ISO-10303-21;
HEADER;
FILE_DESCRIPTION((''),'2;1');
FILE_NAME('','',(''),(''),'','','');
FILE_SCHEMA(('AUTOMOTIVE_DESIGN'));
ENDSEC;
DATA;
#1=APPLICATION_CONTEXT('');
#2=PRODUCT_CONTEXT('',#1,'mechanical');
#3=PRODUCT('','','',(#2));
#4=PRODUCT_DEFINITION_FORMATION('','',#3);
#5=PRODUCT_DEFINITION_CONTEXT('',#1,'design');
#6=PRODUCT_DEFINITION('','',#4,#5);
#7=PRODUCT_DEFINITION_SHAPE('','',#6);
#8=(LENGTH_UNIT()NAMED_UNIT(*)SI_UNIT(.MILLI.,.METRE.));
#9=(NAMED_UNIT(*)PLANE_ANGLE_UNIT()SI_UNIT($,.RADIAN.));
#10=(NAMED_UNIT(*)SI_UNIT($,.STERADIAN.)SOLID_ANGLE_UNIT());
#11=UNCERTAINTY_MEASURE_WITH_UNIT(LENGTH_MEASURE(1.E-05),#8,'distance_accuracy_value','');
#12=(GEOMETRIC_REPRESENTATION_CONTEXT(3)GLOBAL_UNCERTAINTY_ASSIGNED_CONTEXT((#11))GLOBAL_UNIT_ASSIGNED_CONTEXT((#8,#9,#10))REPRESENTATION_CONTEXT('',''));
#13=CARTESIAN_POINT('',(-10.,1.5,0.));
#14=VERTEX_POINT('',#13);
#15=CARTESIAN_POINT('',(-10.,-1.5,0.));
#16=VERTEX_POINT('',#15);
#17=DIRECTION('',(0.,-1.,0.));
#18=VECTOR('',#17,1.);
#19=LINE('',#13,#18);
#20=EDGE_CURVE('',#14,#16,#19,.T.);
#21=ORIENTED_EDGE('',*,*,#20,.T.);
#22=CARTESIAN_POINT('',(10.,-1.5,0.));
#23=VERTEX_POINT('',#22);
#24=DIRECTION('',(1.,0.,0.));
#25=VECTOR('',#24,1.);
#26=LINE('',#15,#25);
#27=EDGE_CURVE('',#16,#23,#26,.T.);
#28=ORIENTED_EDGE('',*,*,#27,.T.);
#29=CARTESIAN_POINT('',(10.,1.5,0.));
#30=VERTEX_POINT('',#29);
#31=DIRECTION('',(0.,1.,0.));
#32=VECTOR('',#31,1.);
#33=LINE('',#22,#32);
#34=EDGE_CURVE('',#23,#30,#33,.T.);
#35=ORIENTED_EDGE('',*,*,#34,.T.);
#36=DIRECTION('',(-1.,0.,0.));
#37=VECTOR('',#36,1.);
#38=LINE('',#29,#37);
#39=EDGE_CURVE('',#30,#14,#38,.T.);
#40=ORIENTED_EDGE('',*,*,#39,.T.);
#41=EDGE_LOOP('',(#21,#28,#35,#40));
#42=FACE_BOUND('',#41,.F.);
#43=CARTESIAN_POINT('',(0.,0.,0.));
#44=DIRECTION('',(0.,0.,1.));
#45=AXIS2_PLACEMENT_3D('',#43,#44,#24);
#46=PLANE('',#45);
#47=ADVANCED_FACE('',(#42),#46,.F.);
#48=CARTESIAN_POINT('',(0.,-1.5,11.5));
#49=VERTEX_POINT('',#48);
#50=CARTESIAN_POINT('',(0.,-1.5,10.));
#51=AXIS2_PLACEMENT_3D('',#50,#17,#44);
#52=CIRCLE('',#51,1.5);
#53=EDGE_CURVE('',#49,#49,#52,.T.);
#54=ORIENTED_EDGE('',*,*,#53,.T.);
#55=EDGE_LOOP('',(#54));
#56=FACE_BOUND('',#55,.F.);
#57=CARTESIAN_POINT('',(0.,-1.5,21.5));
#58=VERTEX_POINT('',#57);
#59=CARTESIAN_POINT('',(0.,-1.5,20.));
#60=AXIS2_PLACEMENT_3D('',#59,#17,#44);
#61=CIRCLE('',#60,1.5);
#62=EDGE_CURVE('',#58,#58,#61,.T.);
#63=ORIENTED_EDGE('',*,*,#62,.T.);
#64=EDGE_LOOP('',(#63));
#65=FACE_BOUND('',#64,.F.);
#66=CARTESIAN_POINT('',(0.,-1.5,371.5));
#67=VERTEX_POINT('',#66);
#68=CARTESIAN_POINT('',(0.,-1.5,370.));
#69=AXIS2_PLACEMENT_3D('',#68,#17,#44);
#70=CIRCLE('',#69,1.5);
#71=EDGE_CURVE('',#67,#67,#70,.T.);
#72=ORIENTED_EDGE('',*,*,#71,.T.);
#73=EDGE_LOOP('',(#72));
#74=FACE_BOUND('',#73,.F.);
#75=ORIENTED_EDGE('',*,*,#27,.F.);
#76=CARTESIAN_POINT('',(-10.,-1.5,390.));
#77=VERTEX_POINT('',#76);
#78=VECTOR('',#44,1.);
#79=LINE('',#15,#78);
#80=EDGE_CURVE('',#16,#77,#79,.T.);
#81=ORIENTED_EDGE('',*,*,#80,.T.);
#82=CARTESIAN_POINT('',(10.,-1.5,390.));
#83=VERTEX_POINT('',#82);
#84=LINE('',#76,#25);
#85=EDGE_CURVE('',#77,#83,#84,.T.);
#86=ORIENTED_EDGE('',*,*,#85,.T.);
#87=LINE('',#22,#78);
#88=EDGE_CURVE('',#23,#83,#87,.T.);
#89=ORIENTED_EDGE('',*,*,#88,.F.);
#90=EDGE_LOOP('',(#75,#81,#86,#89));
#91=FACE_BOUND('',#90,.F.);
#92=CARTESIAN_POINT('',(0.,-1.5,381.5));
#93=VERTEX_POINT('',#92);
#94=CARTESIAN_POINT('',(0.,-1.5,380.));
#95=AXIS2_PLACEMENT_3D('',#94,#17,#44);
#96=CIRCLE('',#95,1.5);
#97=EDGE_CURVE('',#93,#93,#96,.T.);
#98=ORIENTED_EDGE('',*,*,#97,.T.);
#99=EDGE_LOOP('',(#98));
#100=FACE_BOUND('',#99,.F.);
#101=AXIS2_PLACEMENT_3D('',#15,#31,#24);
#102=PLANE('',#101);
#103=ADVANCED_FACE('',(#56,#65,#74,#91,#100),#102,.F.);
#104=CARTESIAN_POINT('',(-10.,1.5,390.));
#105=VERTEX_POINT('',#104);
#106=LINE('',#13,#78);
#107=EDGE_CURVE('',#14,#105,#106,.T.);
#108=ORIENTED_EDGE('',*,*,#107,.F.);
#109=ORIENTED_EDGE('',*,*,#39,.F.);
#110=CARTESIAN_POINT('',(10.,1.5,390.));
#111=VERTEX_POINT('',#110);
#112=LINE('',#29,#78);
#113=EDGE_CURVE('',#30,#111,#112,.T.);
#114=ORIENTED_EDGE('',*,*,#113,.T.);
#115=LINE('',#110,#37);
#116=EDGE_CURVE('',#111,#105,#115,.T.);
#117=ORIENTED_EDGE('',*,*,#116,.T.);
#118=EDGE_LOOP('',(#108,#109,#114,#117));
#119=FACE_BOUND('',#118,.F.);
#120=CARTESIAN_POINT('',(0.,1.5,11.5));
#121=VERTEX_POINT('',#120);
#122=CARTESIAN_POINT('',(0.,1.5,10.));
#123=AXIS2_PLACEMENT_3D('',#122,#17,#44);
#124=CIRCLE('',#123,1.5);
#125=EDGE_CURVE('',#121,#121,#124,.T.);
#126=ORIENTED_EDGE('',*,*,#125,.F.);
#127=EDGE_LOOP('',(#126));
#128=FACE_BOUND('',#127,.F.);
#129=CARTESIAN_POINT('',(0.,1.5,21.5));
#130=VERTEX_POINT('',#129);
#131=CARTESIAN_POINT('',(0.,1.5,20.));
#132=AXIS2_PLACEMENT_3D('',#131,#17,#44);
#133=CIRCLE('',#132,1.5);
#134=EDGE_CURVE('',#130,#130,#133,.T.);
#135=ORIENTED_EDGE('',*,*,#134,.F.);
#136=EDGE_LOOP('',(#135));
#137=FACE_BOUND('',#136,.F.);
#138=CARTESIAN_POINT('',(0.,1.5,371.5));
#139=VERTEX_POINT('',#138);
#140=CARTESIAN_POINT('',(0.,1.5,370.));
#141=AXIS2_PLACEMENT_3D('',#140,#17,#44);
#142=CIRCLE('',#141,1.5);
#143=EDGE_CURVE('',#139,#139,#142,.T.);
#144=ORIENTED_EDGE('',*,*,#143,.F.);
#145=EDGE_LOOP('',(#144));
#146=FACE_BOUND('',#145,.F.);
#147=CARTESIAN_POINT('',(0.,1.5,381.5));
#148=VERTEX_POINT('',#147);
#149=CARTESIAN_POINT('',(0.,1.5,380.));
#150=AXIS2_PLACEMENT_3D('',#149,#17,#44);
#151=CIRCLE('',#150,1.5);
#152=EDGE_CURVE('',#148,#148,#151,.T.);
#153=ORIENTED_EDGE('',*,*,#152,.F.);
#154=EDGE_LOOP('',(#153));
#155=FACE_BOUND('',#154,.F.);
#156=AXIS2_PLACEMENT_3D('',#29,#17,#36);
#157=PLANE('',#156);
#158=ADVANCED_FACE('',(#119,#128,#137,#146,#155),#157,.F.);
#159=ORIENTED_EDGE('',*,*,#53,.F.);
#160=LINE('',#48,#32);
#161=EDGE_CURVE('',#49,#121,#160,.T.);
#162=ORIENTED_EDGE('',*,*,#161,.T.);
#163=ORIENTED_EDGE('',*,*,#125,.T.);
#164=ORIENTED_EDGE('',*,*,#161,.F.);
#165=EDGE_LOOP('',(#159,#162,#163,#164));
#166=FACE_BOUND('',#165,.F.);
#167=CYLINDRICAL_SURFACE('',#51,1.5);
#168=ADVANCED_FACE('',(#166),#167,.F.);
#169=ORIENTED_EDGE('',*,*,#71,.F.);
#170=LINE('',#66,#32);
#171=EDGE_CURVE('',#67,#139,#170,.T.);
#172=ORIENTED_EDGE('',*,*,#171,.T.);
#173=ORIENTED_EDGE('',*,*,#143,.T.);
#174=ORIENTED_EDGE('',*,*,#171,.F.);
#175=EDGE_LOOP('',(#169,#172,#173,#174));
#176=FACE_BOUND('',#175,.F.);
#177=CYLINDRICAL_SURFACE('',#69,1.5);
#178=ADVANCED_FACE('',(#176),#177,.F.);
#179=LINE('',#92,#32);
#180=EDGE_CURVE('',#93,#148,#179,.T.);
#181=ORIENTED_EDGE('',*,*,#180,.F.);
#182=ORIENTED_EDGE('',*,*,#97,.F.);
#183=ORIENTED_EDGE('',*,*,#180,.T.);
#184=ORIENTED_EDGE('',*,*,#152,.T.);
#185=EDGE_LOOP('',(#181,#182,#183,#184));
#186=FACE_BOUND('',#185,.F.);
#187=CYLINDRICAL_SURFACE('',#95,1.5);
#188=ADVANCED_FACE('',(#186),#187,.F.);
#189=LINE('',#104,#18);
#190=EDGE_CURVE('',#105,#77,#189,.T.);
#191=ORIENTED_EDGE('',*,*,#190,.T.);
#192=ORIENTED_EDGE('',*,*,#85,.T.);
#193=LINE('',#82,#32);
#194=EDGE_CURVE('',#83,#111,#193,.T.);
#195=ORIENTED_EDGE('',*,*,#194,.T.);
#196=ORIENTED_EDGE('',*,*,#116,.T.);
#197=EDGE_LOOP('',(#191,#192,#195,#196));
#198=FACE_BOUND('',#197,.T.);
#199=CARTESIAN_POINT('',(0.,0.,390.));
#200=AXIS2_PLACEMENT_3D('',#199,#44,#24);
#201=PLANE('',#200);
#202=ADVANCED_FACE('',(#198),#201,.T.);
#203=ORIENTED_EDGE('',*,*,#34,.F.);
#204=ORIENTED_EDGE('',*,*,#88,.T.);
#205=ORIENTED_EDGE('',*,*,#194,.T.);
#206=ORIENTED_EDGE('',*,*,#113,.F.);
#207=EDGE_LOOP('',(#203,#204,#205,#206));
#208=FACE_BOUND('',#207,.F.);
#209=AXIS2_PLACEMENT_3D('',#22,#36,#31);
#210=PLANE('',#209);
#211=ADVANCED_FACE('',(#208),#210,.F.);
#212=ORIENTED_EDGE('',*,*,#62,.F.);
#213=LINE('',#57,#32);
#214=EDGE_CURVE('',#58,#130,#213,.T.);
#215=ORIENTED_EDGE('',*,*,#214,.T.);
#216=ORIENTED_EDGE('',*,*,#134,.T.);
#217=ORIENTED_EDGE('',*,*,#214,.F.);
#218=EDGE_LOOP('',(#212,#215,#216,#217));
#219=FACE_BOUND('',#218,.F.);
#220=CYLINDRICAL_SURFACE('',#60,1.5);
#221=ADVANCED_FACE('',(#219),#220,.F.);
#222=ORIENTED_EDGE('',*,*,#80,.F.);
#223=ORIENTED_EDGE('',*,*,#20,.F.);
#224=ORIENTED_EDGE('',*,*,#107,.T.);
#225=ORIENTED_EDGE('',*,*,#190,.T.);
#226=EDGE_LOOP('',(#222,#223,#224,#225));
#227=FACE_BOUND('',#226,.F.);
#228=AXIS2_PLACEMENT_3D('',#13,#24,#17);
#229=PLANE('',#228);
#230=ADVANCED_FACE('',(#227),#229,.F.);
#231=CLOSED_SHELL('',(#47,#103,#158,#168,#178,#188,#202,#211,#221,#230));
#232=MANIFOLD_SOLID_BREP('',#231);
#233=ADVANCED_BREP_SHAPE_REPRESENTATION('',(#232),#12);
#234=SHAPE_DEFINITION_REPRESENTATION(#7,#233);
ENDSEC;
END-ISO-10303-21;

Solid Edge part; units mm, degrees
sketch "Sketch1" plane through (0, 0, 0) normal (0, 0, 1) x (1, 0, 0)
  line L0 (-10, -1.5) -> (10, -1.5)
  line L1 (10, -1.5) -> (10, 1.5)
  line L2 (10, 1.5) -> (-10, 1.5)
  line L3 (-10, 1.5) -> (-10, -1.5)
  dimension "D1" = 20
  dimension "D2" = 3
  dimension "D3" = 1.5
  dimension "D4" = 10
extrude "Protrusion1" add sketch "Sketch1" along normal blind 390
sketch "Sketch2" plane through (0, -1.5, 167.5) normal (0, -1, 0) x (0, 0, 1)
  circle A0 centre (-157.5, 0) radius 1.5
  circle A1 centre (-147.5, 0) radius 1.5
  circle A2 centre (212.5, 0) radius 1.5
  circle A3 centre (202.5, 0) radius 1.5
  dimension "D1" = 10
  dimension "D2" = 10
  dimension "D3" = 10
  dimension "D4" = 10
extrude "VaciadoExtruido_1" cut sketch "Sketch2" along normal mid plane 318
